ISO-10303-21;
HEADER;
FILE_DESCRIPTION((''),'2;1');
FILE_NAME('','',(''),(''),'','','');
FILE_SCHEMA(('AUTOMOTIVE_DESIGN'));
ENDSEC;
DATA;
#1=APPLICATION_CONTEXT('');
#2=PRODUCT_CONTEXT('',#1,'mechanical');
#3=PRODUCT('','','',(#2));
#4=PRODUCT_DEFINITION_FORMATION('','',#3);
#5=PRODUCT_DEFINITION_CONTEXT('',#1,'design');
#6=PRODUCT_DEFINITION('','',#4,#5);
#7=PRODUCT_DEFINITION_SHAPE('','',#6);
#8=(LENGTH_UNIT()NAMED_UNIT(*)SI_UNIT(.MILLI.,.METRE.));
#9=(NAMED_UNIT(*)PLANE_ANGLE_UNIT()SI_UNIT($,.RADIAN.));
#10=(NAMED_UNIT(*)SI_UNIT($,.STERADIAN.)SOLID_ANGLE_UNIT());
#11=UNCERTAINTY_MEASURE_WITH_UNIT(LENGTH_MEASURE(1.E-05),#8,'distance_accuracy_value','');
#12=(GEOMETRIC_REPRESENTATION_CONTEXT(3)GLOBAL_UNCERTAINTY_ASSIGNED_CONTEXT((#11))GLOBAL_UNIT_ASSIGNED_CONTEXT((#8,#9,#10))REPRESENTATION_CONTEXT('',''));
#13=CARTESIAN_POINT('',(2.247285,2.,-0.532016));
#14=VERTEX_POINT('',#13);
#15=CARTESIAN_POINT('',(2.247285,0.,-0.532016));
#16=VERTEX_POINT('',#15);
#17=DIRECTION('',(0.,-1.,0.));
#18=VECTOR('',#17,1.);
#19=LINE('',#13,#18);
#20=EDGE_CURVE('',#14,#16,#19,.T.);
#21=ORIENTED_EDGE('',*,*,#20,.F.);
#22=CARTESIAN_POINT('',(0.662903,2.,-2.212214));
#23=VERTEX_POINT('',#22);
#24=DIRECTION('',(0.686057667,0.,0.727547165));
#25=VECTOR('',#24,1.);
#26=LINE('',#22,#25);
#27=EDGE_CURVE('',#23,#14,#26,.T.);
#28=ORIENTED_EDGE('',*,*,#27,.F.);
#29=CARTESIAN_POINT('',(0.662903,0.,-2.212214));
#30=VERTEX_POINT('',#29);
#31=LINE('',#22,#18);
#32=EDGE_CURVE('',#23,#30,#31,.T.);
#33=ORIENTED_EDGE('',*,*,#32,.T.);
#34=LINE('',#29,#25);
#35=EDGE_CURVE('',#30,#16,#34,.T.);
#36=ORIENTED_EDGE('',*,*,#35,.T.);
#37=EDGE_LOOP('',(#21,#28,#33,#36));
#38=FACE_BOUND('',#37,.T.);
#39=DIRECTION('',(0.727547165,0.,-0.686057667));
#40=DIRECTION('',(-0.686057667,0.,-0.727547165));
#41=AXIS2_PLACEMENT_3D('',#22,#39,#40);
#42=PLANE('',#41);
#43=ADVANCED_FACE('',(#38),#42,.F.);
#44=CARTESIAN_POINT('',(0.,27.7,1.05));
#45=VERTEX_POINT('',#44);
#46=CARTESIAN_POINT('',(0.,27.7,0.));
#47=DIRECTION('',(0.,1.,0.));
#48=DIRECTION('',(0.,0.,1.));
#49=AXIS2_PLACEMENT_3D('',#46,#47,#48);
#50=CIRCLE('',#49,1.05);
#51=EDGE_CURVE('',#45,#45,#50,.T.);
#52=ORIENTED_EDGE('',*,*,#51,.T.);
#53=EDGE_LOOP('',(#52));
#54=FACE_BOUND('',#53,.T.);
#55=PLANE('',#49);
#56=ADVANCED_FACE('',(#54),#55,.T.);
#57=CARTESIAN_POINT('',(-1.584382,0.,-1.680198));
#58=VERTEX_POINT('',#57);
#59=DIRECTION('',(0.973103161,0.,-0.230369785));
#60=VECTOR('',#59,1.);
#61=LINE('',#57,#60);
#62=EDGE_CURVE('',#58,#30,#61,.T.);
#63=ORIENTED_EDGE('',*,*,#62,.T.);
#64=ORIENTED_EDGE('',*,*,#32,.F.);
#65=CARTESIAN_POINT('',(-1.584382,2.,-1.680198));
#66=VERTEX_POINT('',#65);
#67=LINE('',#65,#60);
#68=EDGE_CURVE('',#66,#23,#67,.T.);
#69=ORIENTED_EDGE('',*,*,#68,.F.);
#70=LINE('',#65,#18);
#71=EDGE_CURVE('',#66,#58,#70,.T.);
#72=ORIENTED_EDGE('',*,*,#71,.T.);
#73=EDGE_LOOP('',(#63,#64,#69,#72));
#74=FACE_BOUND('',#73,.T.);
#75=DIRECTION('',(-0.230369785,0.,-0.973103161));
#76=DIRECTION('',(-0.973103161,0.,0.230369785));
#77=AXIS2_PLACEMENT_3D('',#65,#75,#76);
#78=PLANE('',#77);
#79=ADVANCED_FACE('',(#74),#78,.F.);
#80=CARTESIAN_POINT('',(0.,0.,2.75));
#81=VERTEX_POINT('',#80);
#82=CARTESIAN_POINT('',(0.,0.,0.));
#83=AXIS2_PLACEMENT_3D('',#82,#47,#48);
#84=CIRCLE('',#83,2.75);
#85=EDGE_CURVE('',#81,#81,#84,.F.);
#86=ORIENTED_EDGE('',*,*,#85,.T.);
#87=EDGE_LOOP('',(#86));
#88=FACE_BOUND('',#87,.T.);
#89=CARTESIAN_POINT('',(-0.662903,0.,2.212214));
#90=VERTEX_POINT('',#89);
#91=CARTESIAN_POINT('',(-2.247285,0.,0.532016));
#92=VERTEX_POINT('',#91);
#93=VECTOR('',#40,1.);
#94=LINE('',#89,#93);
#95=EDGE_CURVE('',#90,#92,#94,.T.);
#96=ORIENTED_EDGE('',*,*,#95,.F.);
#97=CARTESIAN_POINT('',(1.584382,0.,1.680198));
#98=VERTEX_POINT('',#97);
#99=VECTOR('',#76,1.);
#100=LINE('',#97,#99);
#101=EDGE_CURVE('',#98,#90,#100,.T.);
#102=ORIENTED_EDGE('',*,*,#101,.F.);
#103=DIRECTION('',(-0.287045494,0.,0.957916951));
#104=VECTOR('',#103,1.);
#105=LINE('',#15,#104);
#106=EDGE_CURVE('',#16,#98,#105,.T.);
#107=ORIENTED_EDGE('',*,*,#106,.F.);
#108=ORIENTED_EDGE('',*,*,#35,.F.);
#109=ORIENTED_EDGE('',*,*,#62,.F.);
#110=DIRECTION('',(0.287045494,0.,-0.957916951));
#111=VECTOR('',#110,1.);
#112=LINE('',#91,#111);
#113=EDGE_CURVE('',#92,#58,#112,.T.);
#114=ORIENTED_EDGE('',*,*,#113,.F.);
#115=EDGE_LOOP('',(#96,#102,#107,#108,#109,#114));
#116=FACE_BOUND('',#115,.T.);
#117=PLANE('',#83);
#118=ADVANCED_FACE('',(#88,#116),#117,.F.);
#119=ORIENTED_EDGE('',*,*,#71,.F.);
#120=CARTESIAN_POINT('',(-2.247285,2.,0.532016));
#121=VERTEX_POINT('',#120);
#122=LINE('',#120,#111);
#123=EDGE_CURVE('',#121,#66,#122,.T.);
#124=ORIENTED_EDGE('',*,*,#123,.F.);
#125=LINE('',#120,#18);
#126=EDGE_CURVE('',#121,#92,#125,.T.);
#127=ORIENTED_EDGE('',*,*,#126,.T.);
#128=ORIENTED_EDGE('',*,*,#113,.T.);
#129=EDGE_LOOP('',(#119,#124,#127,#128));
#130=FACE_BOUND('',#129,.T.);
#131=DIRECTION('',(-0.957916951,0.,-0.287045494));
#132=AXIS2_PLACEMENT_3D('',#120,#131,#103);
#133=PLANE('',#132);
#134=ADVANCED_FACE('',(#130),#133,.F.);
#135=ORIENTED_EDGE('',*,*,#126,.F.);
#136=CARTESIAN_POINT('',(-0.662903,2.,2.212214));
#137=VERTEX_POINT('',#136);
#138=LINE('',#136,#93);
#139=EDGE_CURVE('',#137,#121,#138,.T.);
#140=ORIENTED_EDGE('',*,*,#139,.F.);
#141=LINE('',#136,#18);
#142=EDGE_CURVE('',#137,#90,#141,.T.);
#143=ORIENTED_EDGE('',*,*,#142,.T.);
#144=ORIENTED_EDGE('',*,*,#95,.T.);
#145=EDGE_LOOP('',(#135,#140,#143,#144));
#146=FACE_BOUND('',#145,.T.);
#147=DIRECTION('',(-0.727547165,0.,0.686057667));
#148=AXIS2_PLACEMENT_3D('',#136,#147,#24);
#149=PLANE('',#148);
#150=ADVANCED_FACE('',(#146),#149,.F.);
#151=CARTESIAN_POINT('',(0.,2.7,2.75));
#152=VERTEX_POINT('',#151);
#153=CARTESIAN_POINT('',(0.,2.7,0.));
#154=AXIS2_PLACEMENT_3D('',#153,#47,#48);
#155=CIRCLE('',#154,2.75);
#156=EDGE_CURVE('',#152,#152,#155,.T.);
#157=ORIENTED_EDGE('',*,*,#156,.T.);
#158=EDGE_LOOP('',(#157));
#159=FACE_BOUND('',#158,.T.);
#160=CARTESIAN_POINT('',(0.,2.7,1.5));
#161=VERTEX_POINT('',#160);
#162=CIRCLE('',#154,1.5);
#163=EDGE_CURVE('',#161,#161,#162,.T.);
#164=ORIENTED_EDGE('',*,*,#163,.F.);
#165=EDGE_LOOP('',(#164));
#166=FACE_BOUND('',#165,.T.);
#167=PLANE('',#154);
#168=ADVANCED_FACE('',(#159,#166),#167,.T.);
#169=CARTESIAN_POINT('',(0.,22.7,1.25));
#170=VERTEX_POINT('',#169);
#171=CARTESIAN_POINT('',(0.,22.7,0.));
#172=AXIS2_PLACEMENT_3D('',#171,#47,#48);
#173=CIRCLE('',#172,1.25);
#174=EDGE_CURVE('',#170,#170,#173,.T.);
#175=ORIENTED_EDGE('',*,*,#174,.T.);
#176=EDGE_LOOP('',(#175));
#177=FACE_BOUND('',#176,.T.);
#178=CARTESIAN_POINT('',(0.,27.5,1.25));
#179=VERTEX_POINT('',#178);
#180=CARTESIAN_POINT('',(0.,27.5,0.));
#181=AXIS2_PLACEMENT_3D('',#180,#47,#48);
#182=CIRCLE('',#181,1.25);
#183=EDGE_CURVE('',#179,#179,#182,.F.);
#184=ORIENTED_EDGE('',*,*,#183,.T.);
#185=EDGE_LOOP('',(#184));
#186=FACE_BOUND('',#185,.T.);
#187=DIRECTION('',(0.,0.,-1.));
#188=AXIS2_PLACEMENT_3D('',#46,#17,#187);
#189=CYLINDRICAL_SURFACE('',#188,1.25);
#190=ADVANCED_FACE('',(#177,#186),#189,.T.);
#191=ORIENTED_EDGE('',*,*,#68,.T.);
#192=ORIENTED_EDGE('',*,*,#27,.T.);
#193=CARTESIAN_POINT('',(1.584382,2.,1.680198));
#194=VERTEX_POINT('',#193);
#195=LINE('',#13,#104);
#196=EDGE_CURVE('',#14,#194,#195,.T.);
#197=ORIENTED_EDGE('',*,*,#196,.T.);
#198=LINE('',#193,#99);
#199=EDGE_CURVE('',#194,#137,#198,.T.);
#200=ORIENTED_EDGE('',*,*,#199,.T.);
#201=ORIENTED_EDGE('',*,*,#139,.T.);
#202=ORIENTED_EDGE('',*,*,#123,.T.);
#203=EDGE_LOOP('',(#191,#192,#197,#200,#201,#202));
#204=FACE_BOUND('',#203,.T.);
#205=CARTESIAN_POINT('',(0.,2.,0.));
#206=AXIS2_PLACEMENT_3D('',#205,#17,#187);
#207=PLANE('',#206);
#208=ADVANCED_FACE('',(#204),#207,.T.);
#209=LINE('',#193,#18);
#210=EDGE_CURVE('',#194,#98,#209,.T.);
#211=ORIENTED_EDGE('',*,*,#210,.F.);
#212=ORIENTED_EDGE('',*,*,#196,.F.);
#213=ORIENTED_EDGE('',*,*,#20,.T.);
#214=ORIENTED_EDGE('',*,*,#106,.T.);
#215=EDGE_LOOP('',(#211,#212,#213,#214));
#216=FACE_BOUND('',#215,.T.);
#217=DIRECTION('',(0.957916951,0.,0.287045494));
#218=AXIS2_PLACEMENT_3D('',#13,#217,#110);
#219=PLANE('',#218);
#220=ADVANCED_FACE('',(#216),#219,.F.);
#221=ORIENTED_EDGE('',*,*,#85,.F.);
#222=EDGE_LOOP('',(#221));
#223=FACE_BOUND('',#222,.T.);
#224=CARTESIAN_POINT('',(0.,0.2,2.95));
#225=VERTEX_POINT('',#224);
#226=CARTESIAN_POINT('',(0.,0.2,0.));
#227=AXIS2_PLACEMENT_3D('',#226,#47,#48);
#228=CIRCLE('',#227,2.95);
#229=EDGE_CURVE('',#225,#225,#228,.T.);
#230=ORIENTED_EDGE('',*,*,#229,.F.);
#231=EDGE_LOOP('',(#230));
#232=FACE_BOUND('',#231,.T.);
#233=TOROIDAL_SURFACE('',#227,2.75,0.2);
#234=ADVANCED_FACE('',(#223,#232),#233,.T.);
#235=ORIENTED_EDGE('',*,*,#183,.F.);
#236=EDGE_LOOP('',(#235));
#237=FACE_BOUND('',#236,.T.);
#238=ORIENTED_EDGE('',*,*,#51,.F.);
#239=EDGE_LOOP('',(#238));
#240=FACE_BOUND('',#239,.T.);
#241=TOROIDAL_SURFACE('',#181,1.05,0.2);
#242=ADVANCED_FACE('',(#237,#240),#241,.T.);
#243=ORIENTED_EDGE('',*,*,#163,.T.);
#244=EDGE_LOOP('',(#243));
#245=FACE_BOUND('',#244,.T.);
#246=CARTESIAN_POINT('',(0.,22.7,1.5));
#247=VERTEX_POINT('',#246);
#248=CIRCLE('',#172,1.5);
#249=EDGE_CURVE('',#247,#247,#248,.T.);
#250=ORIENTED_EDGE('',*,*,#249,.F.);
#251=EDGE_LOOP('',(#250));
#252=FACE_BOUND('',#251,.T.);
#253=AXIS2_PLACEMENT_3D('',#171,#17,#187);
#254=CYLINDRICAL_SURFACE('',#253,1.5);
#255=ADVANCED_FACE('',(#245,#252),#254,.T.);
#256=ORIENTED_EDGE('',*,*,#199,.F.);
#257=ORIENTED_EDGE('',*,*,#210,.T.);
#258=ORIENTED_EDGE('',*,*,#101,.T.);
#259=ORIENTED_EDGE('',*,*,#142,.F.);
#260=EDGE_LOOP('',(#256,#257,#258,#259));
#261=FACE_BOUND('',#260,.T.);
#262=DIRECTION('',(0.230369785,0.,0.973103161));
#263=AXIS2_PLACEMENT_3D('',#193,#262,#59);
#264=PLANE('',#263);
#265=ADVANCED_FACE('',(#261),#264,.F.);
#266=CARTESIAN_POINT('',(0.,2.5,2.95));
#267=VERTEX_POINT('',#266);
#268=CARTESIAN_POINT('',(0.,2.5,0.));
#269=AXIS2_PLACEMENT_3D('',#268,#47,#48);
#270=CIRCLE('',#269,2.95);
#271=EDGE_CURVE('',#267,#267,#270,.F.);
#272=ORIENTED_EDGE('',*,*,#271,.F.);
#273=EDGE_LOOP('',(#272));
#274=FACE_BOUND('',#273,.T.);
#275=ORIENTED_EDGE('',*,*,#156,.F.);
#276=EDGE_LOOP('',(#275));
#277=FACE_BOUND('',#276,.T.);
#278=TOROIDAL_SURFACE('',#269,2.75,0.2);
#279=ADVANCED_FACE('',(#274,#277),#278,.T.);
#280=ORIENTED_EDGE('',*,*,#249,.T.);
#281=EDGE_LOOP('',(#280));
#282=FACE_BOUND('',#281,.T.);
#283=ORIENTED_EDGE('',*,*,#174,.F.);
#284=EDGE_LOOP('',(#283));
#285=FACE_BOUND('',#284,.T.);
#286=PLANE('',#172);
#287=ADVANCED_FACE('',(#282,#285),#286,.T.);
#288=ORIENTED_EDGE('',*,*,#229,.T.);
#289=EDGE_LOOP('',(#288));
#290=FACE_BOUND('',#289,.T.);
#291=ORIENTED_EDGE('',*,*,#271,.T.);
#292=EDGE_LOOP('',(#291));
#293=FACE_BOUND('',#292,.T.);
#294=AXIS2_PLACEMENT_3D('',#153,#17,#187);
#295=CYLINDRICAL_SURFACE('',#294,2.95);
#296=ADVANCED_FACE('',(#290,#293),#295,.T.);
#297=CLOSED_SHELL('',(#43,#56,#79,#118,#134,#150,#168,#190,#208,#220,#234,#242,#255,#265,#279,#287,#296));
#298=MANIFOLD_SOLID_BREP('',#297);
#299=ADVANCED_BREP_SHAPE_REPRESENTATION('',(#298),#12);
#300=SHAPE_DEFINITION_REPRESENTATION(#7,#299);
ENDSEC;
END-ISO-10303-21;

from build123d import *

# Parameters (mm, degrees)
SKETCH_1_R          = 2.95
EXTRUDE_1_DEPTH     = 2.7
SKETCH_2_R          = 1.5
EXTRUDE_2_DEPTH     = 20
SKETCH_3_R          = 1.25
EXTRUDE_3_DEPTH     = 5
CUT_EXTRUDE_1_DEPTH = 2
FILLET_1_R          = 0.2


with BuildPart() as part:
    # 草图1 → 凸台-拉伸1 (new body)
    with BuildSketch(Plane(origin=(0, 0, 0), x_dir=(1, 0, 0), z_dir=(0, 1, 0))):
        Circle(SKETCH_1_R)
    extrude(amount=EXTRUDE_1_DEPTH)

    # 草图2 → 凸台-拉伸2 (add)
    with BuildSketch(Plane(origin=(0, 2.7, 0), x_dir=(1, 0, 0), z_dir=(0, 1, 0))):
        Circle(SKETCH_2_R)
    extrude(amount=EXTRUDE_2_DEPTH)

    # 草图3 → 凸台-拉伸3 (add)
    with BuildSketch(Plane(origin=(0, 22.7, 0), x_dir=(1, 0, 0), z_dir=(0, 1, 0))):
        Circle(SKETCH_3_R)
    extrude(amount=EXTRUDE_3_DEPTH)

    # 草图4 → 切除-拉伸1 (cut)
    with BuildSketch(Plane.XZ):
        Polygon((2.247285488, -0.53201623), (1.584382314, 1.680198207), (-0.662903174, 2.212214437), (-2.247285488, 0.53201623), (-1.584382314, -1.680198207), (0.662903174, -2.212214437), align=None)
    extrude(amount=-CUT_EXTRUDE_1_DEPTH, mode=Mode.SUBTRACT)

    # 圆角1
    fillet_1_edges = [part.edges().sort_by_distance(p)[0] for p in [
        (-1.25, 27.7, 0),
        (-2.95, 0, 0),
        (-2.95, 2.7, 0),
    ]]
    fillet(fillet_1_edges, radius=FILLET_1_R)


solid = part.part
